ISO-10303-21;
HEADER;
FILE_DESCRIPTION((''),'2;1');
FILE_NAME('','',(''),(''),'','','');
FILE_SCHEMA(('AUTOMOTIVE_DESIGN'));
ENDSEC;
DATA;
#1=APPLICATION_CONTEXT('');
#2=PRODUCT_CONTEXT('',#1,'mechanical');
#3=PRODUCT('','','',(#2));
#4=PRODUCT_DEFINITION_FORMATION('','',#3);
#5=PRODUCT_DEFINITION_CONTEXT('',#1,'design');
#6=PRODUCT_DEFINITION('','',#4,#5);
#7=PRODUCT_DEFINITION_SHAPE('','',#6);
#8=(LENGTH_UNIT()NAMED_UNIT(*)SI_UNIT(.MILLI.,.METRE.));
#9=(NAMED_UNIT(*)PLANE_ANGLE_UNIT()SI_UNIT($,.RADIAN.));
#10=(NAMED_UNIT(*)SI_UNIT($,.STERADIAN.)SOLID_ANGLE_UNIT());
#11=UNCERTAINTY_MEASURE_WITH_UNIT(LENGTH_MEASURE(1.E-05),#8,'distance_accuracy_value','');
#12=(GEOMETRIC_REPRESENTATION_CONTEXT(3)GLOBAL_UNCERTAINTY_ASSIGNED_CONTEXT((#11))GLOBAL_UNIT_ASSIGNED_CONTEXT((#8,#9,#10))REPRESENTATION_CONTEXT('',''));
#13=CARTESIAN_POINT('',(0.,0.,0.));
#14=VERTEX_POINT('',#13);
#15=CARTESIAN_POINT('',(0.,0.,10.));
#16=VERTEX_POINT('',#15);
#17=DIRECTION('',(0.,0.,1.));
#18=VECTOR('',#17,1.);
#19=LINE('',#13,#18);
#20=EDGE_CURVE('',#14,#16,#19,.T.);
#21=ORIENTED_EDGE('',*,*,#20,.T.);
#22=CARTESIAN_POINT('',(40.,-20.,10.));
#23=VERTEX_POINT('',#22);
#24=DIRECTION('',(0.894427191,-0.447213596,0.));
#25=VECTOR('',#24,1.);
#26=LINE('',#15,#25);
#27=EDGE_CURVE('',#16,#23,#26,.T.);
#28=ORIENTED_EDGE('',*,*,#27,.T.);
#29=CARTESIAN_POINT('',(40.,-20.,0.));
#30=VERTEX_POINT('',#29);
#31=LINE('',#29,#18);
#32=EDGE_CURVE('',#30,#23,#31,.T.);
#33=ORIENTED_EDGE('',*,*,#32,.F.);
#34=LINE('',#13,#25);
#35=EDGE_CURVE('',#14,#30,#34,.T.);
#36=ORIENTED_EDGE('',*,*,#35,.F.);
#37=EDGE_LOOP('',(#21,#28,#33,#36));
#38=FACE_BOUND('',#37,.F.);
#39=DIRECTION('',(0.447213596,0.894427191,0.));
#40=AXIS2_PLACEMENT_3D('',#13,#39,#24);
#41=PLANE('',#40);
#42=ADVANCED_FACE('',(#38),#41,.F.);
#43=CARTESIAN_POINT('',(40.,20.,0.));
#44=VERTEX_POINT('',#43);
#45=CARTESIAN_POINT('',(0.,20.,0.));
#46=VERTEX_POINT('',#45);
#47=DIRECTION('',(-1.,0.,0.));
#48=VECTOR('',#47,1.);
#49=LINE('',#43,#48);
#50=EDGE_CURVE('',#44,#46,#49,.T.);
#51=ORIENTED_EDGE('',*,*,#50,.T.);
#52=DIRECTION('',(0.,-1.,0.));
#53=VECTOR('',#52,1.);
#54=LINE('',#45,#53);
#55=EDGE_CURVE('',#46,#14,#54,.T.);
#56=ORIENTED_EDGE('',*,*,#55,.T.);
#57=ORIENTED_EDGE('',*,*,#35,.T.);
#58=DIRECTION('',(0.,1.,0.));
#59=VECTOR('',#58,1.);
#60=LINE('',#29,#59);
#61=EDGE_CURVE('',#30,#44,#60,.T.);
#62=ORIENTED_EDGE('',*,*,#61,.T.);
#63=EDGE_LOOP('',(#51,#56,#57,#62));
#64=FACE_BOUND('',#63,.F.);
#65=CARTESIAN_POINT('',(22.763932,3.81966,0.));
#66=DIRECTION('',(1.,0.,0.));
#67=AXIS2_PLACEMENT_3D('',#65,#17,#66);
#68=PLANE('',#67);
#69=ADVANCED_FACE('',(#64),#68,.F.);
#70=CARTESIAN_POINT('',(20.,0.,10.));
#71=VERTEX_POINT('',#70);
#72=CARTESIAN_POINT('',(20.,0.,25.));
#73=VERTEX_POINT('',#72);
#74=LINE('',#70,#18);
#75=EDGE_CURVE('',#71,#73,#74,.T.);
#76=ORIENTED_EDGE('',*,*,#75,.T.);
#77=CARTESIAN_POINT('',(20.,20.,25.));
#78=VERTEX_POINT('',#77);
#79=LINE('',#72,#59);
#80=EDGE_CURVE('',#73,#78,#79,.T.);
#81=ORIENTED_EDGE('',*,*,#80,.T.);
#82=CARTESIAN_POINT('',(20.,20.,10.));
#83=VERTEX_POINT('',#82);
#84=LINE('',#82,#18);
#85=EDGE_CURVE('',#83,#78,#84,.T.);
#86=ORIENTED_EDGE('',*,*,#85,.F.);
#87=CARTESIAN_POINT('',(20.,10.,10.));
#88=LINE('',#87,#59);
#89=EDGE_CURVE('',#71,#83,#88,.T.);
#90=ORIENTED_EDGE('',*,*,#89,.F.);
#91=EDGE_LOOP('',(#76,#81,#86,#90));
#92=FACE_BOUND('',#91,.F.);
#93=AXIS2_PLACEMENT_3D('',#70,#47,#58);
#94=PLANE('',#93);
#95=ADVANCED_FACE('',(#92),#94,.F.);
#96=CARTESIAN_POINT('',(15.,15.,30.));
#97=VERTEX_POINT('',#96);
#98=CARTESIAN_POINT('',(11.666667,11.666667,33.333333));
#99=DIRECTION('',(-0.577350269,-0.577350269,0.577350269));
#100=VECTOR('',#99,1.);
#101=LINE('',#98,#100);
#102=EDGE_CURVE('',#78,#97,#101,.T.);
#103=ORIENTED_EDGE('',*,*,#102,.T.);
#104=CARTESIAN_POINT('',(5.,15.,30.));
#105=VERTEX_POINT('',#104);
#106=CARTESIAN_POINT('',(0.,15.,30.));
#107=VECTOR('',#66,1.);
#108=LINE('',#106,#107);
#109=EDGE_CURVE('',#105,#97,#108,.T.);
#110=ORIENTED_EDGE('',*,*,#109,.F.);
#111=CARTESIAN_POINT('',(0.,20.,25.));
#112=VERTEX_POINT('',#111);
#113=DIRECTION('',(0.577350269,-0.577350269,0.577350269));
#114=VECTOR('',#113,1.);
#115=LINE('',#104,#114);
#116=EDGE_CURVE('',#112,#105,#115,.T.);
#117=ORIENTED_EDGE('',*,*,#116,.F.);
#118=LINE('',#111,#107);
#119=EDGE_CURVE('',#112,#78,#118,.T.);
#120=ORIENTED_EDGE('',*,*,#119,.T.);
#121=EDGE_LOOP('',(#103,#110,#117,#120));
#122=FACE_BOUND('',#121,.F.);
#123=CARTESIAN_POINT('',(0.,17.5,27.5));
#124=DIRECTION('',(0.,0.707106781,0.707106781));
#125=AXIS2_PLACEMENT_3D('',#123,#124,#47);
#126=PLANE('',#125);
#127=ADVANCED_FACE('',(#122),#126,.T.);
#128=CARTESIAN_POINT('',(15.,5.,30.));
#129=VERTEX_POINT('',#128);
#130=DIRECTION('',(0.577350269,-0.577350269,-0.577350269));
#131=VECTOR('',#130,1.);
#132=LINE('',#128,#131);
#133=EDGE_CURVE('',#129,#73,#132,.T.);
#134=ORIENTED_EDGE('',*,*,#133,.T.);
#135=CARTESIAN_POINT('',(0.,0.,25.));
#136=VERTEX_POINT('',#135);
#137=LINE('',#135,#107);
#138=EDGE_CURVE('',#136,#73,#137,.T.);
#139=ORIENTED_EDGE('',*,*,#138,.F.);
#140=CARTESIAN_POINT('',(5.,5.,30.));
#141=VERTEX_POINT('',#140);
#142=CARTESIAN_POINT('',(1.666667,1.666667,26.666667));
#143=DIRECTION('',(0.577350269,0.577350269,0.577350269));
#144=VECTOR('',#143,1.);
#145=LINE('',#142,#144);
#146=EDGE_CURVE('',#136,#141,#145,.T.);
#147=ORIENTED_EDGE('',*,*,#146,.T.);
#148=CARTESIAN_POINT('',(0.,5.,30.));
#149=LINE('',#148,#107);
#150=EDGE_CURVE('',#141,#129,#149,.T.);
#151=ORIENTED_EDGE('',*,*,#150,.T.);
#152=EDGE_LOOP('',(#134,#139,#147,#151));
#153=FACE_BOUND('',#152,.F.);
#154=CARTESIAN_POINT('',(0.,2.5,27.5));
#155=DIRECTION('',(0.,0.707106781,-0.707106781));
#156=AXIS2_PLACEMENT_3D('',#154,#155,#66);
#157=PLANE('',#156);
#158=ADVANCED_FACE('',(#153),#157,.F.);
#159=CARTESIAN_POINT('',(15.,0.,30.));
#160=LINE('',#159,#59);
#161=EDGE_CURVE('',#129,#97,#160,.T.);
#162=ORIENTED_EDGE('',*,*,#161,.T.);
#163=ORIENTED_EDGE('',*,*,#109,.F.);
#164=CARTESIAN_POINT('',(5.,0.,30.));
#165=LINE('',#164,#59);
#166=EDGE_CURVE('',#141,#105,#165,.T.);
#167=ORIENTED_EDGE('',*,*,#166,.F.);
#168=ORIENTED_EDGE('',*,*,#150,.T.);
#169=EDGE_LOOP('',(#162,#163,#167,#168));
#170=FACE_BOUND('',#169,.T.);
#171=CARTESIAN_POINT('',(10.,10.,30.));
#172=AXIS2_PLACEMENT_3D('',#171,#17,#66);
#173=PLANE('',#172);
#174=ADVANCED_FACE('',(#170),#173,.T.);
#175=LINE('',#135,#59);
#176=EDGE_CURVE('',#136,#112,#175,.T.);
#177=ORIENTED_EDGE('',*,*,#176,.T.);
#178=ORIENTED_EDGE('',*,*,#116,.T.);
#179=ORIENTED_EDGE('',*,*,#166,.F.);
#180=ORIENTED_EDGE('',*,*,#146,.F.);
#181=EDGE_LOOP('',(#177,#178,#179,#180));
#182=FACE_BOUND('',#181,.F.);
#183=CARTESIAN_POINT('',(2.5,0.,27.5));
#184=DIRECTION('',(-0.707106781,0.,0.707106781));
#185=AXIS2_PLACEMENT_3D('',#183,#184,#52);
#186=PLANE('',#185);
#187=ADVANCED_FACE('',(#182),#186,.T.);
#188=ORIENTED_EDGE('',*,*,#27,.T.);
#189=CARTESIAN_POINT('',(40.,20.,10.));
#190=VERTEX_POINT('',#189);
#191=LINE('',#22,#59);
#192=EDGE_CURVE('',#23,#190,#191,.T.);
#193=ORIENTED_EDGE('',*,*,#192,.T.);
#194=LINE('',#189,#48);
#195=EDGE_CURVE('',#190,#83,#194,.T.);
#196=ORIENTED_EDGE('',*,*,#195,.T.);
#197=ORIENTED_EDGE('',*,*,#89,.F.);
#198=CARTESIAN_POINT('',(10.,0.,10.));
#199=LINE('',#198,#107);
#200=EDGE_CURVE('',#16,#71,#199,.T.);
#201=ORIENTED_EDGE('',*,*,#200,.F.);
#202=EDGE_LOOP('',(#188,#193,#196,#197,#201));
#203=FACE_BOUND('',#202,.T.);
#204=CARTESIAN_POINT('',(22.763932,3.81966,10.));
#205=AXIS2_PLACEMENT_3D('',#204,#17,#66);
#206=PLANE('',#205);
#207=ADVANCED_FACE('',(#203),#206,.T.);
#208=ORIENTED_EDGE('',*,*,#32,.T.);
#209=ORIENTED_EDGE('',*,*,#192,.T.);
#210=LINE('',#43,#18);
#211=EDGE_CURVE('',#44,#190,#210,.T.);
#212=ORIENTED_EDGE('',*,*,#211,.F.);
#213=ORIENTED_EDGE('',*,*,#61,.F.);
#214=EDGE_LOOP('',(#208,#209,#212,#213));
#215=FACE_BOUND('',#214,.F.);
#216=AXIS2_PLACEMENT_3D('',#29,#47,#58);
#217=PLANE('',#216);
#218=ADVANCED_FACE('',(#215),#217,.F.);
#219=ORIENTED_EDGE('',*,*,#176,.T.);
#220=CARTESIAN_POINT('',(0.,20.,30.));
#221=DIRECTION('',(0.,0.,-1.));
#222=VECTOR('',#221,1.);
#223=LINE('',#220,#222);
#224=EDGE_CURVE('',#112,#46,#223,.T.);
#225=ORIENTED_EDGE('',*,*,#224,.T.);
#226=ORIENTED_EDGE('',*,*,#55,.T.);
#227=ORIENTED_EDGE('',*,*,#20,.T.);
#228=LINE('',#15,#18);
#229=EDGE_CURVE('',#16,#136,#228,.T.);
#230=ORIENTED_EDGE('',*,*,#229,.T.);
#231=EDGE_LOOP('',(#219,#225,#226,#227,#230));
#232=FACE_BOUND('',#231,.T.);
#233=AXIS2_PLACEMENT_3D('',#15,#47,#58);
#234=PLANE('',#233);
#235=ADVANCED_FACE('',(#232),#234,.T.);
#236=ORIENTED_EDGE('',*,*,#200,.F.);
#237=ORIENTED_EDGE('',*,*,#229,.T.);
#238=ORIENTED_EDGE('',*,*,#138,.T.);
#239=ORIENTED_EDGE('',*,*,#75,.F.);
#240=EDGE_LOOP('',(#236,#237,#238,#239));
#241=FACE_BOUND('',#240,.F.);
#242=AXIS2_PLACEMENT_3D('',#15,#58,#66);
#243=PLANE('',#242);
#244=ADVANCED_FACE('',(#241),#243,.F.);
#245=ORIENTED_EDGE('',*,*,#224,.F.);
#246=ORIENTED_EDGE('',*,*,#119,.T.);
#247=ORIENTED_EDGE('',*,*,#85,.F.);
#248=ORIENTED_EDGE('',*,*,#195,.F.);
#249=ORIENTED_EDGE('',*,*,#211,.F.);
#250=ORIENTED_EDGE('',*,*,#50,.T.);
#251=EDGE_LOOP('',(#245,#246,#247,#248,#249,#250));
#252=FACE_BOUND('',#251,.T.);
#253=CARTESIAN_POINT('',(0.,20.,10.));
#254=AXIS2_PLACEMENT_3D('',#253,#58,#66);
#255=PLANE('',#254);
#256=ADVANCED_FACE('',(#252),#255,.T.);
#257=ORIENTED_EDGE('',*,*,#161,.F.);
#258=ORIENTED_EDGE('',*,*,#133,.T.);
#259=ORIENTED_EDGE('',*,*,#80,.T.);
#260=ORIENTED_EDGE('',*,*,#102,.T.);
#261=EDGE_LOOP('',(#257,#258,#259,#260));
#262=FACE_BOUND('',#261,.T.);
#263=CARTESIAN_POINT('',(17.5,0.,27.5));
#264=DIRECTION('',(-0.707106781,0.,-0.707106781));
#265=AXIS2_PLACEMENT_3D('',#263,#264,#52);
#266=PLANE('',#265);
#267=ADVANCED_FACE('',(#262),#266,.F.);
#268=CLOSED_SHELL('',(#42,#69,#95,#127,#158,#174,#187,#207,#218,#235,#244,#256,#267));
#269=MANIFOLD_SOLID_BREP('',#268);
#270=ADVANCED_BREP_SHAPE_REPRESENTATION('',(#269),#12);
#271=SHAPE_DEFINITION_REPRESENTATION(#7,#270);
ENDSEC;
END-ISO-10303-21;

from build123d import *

# Parameters (mm, degrees)
F1_DEPTH = 10
F2_W     = 20
F2_H     = 20
F3_DEPTH = 20
F4_SIZE  = 5


with BuildPart() as f1:
    # F0 (on Top) → F1 (new body)
    with BuildSketch(Plane.XY):
        Polygon((0, 20), (0, 0), (40, -20), (40, 20), align=None)
    extrude(amount=F1_DEPTH)

    # F2 (on face) → F3 (join)
    with BuildSketch(Plane.XY.offset(10)):
        with Locations((10, 10)):
            Rectangle(F2_W, F2_H)
    extrude(amount=F3_DEPTH)

    # F4
    f4_edges = [f1.edges().sort_by_distance(p)[0] for p in [
        (0, 10, 30),
        (10, 0, 30),
        (20, 10, 30),
        (10, 20, 30),
    ]]
    chamfer(f4_edges, length=F4_SIZE)


solid = f1.part
